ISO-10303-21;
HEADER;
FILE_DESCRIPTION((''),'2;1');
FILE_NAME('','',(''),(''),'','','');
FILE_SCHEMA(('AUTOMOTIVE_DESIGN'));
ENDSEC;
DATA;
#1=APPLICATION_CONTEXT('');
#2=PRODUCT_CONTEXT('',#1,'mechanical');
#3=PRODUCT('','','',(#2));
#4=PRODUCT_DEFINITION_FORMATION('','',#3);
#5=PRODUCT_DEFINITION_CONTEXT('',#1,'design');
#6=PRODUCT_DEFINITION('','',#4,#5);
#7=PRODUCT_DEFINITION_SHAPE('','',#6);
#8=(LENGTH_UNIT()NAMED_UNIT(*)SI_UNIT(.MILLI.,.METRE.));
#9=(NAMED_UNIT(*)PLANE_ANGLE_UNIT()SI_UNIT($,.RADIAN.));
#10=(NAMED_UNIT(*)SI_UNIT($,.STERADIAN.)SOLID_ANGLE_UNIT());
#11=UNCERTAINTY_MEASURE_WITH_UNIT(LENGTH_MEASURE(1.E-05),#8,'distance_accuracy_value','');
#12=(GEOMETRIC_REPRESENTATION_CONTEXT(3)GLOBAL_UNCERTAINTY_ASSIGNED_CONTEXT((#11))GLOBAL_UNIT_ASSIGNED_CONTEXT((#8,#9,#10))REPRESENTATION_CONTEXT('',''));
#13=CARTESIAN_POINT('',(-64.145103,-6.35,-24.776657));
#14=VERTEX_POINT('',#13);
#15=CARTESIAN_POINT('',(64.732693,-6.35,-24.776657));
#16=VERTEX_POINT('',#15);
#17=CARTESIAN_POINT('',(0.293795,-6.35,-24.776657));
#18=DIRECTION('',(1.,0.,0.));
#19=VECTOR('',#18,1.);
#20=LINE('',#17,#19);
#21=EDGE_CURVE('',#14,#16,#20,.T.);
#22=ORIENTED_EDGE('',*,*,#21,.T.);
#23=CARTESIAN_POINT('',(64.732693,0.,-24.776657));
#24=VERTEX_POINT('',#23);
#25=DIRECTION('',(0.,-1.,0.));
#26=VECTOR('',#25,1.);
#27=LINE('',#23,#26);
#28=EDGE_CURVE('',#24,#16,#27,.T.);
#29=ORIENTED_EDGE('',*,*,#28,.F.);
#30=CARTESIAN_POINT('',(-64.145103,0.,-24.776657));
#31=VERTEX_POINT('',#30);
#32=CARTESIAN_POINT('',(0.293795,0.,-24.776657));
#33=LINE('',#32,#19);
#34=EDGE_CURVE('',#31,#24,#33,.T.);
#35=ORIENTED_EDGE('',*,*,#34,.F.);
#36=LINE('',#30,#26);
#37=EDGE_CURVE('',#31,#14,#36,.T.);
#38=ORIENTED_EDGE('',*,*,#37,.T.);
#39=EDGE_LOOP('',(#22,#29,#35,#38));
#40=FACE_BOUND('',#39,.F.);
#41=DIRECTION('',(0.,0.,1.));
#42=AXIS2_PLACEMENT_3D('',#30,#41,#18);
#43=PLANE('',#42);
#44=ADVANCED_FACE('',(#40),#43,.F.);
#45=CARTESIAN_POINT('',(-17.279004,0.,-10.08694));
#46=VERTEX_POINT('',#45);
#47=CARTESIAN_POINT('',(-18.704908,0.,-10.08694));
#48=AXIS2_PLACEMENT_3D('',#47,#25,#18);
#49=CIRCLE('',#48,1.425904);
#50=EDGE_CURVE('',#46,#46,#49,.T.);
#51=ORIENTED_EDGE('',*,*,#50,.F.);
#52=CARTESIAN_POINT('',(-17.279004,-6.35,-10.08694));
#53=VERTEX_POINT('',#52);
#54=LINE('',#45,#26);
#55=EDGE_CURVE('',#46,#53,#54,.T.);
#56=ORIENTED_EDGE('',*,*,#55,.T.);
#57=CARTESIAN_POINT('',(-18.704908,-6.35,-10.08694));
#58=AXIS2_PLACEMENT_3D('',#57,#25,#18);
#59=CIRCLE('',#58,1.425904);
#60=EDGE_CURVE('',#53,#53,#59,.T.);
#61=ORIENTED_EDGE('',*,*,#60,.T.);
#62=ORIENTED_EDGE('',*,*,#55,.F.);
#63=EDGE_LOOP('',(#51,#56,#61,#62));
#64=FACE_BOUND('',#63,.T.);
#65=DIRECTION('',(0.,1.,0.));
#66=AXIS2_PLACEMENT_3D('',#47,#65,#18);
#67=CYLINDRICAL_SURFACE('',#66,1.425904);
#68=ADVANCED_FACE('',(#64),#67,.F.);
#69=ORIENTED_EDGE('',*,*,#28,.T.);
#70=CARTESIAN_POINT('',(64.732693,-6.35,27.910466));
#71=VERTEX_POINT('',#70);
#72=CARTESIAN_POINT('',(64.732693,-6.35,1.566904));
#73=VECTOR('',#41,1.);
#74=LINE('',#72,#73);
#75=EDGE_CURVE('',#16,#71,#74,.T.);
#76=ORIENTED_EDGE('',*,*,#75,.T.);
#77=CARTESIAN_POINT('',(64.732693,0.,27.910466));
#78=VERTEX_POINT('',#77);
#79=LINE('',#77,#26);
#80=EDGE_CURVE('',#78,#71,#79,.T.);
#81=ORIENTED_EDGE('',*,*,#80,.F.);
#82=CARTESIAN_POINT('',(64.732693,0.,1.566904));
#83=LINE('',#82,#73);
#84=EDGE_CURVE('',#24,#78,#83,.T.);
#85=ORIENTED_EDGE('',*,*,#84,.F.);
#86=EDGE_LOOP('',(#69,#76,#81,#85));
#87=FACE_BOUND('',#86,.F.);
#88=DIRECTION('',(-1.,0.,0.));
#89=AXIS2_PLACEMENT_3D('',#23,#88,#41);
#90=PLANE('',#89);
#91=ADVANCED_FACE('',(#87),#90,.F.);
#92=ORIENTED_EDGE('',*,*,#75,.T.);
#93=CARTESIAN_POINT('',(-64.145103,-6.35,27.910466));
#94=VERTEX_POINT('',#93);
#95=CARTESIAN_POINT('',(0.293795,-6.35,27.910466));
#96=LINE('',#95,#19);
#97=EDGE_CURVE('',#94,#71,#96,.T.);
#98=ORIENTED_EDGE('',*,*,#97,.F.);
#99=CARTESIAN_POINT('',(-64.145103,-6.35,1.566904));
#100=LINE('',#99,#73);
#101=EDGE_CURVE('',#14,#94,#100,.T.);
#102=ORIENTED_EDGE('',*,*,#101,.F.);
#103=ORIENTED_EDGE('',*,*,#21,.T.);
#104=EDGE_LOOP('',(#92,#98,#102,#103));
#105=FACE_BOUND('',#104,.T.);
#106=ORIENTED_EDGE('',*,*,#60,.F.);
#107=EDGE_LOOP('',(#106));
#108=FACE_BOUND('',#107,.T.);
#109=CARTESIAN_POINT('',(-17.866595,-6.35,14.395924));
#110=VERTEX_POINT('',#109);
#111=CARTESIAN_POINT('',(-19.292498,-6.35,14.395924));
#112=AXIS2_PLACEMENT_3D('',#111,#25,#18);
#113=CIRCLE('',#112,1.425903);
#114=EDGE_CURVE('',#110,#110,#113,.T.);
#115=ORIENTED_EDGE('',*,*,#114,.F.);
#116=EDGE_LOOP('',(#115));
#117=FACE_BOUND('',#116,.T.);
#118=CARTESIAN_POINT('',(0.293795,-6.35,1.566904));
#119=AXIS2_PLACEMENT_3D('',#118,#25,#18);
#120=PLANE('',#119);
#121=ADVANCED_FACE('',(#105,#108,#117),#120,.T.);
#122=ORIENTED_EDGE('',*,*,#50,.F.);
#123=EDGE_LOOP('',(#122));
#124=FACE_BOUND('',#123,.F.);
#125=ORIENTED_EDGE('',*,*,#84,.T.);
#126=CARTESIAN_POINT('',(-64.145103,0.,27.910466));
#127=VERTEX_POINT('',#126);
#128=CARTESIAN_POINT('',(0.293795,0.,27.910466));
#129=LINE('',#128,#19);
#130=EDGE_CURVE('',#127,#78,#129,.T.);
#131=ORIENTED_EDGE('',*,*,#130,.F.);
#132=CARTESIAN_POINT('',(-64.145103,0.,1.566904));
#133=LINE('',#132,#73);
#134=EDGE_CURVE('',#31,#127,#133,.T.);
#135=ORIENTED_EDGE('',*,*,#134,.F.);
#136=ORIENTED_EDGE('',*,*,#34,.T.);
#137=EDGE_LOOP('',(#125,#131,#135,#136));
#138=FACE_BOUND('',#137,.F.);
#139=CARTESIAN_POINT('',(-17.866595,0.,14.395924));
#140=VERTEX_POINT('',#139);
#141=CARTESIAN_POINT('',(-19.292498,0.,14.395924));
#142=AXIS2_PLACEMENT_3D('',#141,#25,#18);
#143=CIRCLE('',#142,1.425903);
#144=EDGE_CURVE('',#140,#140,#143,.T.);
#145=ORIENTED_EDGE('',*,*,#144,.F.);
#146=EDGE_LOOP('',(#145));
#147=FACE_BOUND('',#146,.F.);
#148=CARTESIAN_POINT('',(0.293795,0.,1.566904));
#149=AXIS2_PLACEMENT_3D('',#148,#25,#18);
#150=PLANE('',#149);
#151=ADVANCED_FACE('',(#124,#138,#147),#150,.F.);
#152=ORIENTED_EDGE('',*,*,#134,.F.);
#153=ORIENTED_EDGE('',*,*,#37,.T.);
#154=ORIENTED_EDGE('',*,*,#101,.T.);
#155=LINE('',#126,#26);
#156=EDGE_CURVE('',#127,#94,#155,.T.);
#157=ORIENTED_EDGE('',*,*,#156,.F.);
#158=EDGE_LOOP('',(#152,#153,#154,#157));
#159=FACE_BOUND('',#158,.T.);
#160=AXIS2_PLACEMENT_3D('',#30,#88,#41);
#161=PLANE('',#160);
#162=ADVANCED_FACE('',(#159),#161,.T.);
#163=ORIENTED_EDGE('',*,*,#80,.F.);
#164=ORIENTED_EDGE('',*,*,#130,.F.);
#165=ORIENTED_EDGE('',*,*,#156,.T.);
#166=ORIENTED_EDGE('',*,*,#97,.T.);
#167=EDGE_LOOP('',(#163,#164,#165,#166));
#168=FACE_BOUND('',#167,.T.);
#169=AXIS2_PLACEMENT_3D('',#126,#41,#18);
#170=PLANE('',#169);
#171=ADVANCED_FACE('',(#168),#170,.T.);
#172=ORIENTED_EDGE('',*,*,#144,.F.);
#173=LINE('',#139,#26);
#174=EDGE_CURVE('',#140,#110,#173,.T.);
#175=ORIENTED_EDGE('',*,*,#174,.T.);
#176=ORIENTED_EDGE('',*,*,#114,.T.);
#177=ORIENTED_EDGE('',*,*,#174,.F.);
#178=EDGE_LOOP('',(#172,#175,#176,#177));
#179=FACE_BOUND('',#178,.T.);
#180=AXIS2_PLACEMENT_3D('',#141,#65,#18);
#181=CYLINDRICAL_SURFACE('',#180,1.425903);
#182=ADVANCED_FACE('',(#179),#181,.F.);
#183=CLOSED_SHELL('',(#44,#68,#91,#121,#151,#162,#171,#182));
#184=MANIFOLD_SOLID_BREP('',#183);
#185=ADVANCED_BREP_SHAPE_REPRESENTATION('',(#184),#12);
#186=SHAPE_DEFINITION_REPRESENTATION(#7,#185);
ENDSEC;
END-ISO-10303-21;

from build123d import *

# Parameters (mm, degrees)
F0_W     = 128.877796
F0_H     = 52.687123
F0_R     = 1.425904
F0_R_2   = 16.772603
F0_R_3   = 16.75544
F0_R_4   = 1.425903
F1_DEPTH = 6.35


with BuildPart() as f1:
    # F0 (on Front) → F1 (new body)
    with BuildSketch(Plane.XZ):
        with Locations((0.293795, 1.566904)):
            Rectangle(F0_W, F0_H)
        with Locations((-18.704908, -10.08694)):
            Circle(F0_R, mode=Mode.SUBTRACT)
        with Locations((7.540722, 0)):
            Circle(F0_R_2, mode=Mode.SUBTRACT)
        with Locations((45.538131, 0)):
            Circle(F0_R_3, mode=Mode.SUBTRACT)
        with Locations((-19.292498, 14.395924)):
            Circle(F0_R_4, mode=Mode.SUBTRACT)
        with Locations((45.538131, 0)):
            Circle(F0_R_3)
        with Locations((7.540722, 0)):
            Circle(F0_R_2)
    extrude(amount=F1_DEPTH)


solid = f1.part
